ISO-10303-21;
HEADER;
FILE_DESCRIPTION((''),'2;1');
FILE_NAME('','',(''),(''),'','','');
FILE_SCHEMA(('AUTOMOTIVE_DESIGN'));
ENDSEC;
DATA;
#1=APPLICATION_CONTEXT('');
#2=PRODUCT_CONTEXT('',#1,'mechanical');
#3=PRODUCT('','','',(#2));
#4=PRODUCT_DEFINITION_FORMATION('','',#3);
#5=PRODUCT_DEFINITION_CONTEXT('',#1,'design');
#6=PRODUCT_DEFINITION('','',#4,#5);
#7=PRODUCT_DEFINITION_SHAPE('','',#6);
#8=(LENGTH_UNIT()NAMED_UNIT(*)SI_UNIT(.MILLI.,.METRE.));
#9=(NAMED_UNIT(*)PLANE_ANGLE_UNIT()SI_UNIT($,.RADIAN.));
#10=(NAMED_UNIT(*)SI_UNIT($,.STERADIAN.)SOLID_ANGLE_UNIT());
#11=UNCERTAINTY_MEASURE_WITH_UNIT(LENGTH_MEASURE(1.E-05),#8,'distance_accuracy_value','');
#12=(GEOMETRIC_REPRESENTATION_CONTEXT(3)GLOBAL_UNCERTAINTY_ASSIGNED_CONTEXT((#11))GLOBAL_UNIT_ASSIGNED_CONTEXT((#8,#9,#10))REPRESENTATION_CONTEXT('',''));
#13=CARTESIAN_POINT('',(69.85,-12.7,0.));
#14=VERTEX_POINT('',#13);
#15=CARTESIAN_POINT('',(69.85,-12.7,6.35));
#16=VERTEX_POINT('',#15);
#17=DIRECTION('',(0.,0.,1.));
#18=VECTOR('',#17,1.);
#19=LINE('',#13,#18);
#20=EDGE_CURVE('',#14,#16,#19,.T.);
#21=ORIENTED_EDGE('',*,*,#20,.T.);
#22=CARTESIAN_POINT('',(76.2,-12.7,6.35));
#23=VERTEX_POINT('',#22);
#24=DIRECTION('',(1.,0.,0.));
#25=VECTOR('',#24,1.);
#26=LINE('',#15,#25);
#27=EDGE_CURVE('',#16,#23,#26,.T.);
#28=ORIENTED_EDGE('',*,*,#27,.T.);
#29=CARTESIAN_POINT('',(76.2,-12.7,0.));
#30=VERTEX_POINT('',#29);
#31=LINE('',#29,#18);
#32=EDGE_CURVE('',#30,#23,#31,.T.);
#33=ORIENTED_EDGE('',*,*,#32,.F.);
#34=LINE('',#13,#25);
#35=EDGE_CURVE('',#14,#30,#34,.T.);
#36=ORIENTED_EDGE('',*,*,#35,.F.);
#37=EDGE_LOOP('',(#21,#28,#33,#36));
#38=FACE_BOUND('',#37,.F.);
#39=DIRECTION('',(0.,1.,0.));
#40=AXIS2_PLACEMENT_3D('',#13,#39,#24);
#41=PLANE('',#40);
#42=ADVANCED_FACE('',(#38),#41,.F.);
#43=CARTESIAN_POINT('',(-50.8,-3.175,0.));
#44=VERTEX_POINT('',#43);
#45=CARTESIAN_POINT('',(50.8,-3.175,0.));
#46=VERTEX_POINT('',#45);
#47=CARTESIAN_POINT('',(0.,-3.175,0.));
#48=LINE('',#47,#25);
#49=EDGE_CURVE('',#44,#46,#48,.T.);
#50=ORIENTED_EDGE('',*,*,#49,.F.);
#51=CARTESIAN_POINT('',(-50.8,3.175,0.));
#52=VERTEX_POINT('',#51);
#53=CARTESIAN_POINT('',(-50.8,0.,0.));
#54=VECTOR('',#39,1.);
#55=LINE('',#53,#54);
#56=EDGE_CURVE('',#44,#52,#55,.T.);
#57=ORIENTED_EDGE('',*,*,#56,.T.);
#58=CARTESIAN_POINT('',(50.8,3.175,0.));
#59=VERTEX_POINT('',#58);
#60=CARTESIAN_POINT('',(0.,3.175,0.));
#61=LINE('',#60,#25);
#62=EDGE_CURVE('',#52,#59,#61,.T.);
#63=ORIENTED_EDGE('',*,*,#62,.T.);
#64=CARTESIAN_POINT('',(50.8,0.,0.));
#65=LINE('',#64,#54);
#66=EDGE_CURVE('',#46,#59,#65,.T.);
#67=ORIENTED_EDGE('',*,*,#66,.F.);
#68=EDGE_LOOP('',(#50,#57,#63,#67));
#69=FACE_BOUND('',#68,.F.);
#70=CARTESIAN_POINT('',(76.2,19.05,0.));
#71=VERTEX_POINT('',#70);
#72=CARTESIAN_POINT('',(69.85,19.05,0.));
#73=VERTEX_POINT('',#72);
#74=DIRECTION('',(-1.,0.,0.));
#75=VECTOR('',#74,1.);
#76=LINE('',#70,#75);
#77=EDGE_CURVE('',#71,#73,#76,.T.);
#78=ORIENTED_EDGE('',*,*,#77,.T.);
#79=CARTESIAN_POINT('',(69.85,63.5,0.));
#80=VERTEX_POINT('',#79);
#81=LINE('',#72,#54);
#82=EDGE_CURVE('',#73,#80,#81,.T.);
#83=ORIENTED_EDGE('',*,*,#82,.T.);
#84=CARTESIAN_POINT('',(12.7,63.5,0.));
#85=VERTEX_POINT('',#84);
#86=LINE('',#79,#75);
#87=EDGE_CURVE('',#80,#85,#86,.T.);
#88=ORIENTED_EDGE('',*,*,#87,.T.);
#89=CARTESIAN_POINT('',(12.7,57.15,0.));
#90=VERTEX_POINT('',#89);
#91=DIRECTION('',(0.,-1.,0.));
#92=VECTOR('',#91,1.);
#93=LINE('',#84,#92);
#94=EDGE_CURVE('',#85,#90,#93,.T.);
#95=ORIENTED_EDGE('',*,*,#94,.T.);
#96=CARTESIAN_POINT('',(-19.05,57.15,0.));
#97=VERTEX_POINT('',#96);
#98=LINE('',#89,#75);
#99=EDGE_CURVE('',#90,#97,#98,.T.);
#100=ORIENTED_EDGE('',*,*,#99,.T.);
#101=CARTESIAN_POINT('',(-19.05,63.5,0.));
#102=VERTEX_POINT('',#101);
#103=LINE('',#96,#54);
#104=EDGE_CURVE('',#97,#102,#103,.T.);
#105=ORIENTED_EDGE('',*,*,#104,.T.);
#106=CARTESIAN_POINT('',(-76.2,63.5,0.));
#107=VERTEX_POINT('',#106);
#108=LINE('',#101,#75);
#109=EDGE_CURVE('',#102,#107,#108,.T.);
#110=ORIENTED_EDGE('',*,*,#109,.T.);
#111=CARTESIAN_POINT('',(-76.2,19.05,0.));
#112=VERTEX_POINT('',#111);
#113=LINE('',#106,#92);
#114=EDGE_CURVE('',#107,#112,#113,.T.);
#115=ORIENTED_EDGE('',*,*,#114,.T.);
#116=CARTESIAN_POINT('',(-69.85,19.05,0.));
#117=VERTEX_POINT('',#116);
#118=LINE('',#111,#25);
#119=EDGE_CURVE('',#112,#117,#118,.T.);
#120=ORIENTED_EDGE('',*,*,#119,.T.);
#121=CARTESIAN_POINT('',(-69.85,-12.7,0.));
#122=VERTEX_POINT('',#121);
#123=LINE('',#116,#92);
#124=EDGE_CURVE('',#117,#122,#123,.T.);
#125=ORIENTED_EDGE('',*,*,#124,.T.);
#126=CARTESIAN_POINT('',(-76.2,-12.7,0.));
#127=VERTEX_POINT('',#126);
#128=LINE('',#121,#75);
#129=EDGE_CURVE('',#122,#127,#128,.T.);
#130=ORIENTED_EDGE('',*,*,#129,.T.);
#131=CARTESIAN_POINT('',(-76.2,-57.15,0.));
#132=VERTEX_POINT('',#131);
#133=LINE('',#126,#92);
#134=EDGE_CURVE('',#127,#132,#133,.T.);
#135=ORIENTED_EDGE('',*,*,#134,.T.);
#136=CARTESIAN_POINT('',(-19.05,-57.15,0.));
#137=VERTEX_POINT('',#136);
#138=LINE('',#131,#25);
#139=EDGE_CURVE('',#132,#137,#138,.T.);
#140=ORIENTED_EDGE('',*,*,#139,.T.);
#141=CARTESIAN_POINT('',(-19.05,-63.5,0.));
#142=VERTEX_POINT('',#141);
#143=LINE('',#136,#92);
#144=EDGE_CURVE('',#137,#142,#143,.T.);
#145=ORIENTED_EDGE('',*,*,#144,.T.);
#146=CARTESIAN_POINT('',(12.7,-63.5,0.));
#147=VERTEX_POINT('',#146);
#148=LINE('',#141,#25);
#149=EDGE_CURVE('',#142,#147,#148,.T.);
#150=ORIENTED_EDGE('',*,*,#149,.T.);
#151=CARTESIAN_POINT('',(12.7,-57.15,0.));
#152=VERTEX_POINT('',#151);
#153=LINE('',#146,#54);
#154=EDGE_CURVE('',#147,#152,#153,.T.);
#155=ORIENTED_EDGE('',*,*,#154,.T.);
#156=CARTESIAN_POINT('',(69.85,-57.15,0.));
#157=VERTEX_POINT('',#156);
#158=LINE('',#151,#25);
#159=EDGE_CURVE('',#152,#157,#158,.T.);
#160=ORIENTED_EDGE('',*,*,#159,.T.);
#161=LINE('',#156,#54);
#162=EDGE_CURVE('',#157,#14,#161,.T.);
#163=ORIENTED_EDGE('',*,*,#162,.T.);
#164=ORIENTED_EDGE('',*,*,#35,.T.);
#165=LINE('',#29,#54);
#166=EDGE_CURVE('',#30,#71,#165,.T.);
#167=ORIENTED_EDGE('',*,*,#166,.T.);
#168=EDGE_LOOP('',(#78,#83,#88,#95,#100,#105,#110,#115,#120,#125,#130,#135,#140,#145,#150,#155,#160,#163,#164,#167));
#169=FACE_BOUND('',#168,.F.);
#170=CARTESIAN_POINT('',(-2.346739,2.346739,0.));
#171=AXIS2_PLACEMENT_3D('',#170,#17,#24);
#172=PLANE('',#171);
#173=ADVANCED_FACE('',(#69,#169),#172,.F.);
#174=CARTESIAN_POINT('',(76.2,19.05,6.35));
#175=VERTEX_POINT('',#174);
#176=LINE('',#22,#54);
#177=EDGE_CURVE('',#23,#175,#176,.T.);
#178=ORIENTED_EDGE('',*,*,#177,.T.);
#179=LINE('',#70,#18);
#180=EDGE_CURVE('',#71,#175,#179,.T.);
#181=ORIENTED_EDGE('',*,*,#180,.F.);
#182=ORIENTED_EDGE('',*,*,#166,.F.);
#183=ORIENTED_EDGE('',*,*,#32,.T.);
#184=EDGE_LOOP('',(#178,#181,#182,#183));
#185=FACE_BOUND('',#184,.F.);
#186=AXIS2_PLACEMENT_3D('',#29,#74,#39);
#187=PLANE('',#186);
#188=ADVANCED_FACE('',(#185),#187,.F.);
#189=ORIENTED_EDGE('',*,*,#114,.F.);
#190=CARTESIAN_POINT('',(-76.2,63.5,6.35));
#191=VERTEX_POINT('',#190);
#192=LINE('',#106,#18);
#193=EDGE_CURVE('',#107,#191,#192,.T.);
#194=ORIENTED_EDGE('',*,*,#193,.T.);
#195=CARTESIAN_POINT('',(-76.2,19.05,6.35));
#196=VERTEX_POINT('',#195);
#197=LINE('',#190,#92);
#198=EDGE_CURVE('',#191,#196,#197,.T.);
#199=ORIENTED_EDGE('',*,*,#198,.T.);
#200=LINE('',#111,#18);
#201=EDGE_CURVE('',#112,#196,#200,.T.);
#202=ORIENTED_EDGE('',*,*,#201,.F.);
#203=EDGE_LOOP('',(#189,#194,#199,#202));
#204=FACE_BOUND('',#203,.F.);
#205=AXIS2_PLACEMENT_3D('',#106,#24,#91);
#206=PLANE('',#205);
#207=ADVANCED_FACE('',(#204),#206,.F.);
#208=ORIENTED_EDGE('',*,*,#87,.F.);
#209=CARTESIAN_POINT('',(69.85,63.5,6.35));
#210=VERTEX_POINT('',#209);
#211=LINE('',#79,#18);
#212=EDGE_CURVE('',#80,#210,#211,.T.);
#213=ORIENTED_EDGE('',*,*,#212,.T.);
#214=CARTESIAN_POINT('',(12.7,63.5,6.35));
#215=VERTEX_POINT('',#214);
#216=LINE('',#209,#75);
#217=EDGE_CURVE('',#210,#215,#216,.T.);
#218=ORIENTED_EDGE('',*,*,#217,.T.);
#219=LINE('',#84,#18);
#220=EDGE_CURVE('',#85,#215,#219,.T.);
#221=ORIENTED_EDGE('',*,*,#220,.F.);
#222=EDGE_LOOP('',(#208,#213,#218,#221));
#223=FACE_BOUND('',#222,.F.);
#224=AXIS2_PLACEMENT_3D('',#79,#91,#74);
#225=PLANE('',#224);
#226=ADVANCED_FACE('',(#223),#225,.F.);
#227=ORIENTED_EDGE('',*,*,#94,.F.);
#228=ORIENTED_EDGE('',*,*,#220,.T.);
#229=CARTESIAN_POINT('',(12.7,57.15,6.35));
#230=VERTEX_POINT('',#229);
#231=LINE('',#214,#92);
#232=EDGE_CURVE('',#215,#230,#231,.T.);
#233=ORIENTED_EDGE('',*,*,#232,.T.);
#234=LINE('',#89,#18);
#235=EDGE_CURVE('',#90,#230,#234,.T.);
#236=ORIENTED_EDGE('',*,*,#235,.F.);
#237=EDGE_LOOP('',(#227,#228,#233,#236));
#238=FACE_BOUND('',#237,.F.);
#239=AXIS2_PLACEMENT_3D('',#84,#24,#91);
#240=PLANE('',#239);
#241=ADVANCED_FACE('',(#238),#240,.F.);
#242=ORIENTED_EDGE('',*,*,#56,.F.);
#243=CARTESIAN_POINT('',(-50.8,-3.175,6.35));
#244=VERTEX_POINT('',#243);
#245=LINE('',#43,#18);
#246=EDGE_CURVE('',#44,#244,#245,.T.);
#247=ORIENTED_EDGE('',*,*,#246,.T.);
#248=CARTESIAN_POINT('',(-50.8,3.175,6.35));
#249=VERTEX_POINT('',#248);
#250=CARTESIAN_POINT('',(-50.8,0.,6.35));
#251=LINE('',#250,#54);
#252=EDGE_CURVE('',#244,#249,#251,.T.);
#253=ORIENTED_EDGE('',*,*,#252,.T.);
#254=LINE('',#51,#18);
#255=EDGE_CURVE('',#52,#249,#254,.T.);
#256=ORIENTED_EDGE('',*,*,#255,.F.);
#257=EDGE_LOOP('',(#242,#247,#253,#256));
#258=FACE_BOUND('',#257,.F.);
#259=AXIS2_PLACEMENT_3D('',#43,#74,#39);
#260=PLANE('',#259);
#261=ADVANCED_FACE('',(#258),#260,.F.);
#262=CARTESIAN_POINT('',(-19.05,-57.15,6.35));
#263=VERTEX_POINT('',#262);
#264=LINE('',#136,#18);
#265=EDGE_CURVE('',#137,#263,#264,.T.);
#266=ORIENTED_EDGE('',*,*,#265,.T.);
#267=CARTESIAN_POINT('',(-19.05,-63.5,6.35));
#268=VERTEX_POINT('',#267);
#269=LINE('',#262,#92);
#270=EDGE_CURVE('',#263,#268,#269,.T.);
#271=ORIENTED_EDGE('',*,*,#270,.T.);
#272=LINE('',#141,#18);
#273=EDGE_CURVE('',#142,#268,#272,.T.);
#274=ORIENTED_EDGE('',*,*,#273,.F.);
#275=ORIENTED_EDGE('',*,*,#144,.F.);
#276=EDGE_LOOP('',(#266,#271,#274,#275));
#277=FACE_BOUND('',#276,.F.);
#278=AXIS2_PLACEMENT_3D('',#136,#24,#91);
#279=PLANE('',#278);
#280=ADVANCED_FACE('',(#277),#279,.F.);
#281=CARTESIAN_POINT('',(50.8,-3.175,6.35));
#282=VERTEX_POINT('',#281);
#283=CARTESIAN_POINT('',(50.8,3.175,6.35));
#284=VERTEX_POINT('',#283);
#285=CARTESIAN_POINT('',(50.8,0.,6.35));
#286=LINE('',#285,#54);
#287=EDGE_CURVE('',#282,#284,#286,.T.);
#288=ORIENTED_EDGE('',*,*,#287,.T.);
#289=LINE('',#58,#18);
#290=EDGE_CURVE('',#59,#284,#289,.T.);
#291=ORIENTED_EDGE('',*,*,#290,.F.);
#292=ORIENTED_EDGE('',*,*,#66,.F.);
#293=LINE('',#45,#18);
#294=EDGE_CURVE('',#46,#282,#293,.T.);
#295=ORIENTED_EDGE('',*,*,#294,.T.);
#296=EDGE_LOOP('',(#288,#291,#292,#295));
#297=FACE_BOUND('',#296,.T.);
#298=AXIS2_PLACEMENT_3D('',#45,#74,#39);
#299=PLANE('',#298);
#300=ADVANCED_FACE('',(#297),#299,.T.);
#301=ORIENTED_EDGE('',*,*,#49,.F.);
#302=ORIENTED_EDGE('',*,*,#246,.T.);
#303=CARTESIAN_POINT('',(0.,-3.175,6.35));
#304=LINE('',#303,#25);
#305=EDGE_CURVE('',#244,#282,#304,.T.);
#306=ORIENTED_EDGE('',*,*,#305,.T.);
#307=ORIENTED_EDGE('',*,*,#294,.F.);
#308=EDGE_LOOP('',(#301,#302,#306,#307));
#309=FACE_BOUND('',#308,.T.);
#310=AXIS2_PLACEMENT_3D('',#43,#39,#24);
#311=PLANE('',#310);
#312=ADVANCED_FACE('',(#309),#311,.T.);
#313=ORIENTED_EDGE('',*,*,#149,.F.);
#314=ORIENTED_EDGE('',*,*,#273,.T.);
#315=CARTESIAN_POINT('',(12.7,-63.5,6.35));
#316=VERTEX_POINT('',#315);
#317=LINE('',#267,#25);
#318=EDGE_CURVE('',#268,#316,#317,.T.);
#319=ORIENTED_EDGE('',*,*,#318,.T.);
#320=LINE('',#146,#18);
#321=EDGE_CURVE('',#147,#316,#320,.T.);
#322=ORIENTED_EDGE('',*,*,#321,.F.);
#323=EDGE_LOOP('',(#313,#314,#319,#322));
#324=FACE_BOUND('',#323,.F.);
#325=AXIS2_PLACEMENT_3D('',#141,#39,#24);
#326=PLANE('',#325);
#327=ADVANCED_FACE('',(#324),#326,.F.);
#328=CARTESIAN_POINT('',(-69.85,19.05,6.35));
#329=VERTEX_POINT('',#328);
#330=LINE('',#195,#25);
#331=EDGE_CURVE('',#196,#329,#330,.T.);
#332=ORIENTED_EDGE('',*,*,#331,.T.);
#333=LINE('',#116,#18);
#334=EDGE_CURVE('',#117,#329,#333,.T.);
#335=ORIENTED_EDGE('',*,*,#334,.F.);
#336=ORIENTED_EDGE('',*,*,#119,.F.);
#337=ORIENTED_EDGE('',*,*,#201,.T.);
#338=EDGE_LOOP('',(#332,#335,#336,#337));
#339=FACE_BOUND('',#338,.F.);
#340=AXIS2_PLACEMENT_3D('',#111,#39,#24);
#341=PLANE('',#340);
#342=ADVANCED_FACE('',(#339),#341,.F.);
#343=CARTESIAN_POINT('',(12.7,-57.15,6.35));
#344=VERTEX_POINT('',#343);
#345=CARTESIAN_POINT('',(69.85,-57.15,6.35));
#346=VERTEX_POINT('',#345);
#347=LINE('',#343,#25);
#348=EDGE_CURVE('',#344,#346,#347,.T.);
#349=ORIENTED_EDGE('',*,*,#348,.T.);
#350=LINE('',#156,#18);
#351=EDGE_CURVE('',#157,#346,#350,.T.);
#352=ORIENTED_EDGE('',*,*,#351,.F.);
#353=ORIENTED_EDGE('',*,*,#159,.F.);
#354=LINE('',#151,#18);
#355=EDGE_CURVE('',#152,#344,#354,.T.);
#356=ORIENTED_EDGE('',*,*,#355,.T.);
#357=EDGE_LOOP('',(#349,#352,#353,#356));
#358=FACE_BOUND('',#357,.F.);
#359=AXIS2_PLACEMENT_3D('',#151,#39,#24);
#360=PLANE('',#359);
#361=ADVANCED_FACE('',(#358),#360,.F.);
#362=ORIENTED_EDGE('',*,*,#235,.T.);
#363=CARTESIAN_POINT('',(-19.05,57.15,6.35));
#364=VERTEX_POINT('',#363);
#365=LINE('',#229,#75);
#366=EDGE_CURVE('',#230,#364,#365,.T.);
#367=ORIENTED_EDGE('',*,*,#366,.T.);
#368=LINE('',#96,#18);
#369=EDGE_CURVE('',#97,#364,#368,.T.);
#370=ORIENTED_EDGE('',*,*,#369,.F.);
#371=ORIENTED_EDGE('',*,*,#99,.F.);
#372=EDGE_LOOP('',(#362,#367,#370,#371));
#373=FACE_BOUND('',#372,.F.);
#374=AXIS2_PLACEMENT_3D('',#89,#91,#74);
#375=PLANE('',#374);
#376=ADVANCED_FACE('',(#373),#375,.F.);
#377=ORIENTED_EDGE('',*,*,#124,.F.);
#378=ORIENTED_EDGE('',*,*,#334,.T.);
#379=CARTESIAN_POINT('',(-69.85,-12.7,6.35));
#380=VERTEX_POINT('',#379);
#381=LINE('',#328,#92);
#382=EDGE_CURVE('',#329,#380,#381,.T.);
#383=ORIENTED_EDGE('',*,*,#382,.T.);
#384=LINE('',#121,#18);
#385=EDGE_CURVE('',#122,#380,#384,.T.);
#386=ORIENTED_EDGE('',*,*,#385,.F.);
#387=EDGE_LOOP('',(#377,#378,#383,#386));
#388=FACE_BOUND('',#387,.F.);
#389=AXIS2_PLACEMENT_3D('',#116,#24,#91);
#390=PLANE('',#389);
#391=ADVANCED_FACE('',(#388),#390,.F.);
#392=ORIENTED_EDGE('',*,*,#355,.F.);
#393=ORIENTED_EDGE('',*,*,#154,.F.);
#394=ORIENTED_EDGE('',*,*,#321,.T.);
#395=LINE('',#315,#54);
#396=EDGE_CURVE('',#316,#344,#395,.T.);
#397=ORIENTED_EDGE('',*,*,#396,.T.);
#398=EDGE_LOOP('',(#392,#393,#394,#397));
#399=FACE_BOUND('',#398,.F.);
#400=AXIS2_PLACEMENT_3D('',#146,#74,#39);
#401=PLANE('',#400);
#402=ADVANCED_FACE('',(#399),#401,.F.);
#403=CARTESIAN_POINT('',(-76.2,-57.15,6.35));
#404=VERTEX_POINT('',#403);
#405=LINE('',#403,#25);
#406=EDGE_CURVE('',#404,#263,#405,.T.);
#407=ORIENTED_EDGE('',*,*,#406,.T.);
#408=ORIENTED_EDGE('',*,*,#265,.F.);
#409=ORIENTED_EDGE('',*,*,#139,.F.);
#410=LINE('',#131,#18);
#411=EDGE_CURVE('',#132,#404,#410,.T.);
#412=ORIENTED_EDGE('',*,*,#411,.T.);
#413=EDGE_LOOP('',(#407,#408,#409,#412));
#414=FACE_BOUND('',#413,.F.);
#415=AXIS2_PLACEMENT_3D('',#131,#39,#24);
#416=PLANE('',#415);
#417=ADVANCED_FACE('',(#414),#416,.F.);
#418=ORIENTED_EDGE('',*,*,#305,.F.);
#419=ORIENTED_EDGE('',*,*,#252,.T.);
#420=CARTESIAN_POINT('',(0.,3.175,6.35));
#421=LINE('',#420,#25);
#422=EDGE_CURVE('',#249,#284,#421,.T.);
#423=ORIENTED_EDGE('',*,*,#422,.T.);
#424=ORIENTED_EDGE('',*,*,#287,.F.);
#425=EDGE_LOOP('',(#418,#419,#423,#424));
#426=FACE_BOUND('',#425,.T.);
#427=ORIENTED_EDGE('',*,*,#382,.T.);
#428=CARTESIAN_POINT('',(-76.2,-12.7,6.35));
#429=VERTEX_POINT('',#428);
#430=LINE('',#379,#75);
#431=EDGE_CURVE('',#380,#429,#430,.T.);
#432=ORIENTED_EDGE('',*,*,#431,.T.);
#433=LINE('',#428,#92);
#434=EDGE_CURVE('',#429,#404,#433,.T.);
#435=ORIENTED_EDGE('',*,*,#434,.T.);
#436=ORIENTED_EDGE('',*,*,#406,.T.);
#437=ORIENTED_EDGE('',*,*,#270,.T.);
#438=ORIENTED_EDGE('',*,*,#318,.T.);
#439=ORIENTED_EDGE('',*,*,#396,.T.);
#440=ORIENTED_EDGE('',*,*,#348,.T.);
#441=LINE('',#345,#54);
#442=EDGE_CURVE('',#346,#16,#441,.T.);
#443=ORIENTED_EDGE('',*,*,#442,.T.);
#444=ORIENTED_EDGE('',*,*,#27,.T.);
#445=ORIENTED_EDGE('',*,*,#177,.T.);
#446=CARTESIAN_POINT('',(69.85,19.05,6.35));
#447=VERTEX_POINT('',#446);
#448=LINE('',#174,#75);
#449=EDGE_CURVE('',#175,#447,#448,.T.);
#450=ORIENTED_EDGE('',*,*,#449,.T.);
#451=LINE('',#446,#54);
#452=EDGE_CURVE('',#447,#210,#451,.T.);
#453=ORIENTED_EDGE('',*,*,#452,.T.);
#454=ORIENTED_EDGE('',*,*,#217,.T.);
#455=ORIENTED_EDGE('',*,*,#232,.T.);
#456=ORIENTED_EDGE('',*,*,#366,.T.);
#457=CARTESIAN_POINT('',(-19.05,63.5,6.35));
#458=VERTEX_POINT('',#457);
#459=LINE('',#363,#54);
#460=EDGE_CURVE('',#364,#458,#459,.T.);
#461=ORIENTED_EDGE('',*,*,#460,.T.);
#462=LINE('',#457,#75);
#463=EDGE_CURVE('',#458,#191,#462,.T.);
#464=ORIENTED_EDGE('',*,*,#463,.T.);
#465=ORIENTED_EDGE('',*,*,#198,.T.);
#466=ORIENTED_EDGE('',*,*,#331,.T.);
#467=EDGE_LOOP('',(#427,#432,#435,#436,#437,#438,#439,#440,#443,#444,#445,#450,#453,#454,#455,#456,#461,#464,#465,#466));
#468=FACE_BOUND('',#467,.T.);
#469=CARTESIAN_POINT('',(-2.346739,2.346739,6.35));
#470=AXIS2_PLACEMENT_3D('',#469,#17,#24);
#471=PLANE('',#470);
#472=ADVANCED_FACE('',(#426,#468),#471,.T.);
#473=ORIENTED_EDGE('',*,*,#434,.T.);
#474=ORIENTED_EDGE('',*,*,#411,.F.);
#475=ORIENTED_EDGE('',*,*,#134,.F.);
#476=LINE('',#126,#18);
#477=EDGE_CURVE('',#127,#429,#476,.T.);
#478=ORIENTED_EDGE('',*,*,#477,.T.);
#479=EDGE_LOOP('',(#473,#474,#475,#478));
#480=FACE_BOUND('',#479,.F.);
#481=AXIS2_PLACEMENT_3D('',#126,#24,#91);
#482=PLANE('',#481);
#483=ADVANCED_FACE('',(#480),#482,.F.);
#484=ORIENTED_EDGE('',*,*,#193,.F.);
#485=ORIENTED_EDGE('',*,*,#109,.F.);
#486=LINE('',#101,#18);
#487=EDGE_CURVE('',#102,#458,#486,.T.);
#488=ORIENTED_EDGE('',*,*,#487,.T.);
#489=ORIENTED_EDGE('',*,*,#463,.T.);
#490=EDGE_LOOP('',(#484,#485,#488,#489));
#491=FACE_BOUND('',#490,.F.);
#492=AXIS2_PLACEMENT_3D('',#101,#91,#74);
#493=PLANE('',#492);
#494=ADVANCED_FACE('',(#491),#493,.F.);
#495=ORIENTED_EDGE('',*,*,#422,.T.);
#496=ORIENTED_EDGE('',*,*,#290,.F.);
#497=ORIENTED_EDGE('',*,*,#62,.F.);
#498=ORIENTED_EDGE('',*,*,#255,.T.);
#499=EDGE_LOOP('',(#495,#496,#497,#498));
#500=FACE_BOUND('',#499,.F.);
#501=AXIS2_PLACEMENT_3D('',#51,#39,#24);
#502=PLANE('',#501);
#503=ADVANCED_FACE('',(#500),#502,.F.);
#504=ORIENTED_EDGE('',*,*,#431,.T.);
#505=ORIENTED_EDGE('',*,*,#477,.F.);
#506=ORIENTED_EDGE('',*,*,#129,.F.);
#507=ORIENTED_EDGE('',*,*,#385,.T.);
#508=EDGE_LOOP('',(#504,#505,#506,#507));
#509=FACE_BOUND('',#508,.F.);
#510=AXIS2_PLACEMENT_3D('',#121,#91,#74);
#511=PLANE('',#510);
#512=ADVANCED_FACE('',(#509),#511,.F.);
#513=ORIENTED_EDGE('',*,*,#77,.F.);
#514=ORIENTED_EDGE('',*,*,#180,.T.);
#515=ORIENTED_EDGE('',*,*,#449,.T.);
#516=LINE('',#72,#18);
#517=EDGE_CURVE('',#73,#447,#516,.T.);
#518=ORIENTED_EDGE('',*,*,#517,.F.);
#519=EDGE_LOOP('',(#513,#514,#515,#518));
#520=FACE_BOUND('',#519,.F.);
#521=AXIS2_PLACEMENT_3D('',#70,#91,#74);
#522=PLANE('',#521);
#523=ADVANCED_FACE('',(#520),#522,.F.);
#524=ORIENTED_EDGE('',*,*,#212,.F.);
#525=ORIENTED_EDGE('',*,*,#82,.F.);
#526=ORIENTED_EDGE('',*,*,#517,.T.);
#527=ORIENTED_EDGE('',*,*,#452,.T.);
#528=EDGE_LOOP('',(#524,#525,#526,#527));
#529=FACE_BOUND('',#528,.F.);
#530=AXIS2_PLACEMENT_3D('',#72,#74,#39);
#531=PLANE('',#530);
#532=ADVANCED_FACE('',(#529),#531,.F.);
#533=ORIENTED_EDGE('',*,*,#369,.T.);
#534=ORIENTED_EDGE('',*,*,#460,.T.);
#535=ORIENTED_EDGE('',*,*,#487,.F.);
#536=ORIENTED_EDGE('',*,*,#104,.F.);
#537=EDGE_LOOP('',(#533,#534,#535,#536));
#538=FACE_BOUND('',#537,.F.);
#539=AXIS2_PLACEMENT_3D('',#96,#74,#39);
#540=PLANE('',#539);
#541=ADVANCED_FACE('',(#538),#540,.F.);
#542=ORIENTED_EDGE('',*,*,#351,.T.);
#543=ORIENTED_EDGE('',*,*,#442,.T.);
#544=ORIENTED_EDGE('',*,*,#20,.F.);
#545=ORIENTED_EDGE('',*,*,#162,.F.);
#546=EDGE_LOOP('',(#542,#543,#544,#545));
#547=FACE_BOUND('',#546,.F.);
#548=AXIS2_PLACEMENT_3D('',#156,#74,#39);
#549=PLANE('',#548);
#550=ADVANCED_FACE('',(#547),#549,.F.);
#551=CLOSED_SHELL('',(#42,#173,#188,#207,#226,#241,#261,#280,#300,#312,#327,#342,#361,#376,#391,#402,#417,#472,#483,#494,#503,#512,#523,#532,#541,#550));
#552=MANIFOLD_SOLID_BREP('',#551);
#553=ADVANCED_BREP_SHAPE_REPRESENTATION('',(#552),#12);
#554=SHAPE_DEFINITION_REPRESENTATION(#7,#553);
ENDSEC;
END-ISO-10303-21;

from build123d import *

# Parameters (mm, degrees)
F0_W     = 101.6
F0_H     = 6.35
F1_DEPTH = 6.35


with BuildPart() as f1:
    # F0 (on Top) → F1 (new body)
    with BuildSketch(Plane.XY):
        Polygon((-63.5, 63.5), (-76.2, 63.5), (-76.2, 57.15), (-76.2, 50.8), (-76.2, 44.45), (-76.2, 38.1), (-76.2, 31.75), (-76.2, 25.4), (-76.2, 19.05), (-69.85, 19.05), (-69.85, 12.7), (-69.85, 6.35), (-69.85, 0), (-69.85, -6.35), (-69.85, -12.7), (-76.2, -12.7), (-76.2, -19.05), (-76.2, -25.4), (-76.2, -31.75), (-76.2, -38.1), (-76.2, -44.45), (-76.2, -50.8), (-76.2, -57.15), (-69.85, -57.15), (-63.5, -57.15), (-57.15, -57.15), (-50.8, -57.15), (-44.45, -57.15), (-38.1, -57.15), (-31.75, -57.15), (-25.4, -57.15), (-19.05, -57.15), (-19.05, -63.5), (-12.7, -63.5), (-6.35, -63.5), (0, -63.5), (6.35, -63.5), (12.7, -63.5), (12.7, -57.15), (19.05, -57.15), (25.4, -57.15), (31.75, -57.15), (38.1, -57.15), (44.45, -57.15), (50.8, -57.15), (57.15, -57.15), (63.5, -57.15), (69.85, -57.15), (69.85, -50.8), (69.85, -44.45), (69.85, -38.1), (69.85, -31.75), (69.85, -25.4), (69.85, -19.05), (69.85, -12.7), (76.2, -12.7), (76.2, -6.35), (76.2, 0), (76.2, 6.35), (76.2, 12.7), (76.2, 19.05), (69.85, 19.05), (69.85, 25.4), (69.85, 31.75), (69.85, 38.1), (69.85, 44.45), (69.85, 50.8), (69.85, 63.5), (63.5, 63.5), (57.15, 63.5), (50.8, 63.5), (44.45, 63.5), (38.1, 63.5), (31.75, 63.5), (25.4, 63.5), (19.05, 63.5), (12.7, 63.5), (12.7, 57.15), (6.35, 57.15), (0, 57.15), (-6.35, 57.15), (-12.7, 57.15), (-19.05, 57.15), (-19.05, 63.5), (-25.4, 63.5), (-31.75, 63.5), (-38.1, 63.5), (-44.45, 63.5), (-50.8, 63.5), (-57.15, 63.5), align=None)
        Rectangle(F0_W, F0_H, mode=Mode.SUBTRACT)
    extrude(amount=F1_DEPTH)


solid = f1.part
